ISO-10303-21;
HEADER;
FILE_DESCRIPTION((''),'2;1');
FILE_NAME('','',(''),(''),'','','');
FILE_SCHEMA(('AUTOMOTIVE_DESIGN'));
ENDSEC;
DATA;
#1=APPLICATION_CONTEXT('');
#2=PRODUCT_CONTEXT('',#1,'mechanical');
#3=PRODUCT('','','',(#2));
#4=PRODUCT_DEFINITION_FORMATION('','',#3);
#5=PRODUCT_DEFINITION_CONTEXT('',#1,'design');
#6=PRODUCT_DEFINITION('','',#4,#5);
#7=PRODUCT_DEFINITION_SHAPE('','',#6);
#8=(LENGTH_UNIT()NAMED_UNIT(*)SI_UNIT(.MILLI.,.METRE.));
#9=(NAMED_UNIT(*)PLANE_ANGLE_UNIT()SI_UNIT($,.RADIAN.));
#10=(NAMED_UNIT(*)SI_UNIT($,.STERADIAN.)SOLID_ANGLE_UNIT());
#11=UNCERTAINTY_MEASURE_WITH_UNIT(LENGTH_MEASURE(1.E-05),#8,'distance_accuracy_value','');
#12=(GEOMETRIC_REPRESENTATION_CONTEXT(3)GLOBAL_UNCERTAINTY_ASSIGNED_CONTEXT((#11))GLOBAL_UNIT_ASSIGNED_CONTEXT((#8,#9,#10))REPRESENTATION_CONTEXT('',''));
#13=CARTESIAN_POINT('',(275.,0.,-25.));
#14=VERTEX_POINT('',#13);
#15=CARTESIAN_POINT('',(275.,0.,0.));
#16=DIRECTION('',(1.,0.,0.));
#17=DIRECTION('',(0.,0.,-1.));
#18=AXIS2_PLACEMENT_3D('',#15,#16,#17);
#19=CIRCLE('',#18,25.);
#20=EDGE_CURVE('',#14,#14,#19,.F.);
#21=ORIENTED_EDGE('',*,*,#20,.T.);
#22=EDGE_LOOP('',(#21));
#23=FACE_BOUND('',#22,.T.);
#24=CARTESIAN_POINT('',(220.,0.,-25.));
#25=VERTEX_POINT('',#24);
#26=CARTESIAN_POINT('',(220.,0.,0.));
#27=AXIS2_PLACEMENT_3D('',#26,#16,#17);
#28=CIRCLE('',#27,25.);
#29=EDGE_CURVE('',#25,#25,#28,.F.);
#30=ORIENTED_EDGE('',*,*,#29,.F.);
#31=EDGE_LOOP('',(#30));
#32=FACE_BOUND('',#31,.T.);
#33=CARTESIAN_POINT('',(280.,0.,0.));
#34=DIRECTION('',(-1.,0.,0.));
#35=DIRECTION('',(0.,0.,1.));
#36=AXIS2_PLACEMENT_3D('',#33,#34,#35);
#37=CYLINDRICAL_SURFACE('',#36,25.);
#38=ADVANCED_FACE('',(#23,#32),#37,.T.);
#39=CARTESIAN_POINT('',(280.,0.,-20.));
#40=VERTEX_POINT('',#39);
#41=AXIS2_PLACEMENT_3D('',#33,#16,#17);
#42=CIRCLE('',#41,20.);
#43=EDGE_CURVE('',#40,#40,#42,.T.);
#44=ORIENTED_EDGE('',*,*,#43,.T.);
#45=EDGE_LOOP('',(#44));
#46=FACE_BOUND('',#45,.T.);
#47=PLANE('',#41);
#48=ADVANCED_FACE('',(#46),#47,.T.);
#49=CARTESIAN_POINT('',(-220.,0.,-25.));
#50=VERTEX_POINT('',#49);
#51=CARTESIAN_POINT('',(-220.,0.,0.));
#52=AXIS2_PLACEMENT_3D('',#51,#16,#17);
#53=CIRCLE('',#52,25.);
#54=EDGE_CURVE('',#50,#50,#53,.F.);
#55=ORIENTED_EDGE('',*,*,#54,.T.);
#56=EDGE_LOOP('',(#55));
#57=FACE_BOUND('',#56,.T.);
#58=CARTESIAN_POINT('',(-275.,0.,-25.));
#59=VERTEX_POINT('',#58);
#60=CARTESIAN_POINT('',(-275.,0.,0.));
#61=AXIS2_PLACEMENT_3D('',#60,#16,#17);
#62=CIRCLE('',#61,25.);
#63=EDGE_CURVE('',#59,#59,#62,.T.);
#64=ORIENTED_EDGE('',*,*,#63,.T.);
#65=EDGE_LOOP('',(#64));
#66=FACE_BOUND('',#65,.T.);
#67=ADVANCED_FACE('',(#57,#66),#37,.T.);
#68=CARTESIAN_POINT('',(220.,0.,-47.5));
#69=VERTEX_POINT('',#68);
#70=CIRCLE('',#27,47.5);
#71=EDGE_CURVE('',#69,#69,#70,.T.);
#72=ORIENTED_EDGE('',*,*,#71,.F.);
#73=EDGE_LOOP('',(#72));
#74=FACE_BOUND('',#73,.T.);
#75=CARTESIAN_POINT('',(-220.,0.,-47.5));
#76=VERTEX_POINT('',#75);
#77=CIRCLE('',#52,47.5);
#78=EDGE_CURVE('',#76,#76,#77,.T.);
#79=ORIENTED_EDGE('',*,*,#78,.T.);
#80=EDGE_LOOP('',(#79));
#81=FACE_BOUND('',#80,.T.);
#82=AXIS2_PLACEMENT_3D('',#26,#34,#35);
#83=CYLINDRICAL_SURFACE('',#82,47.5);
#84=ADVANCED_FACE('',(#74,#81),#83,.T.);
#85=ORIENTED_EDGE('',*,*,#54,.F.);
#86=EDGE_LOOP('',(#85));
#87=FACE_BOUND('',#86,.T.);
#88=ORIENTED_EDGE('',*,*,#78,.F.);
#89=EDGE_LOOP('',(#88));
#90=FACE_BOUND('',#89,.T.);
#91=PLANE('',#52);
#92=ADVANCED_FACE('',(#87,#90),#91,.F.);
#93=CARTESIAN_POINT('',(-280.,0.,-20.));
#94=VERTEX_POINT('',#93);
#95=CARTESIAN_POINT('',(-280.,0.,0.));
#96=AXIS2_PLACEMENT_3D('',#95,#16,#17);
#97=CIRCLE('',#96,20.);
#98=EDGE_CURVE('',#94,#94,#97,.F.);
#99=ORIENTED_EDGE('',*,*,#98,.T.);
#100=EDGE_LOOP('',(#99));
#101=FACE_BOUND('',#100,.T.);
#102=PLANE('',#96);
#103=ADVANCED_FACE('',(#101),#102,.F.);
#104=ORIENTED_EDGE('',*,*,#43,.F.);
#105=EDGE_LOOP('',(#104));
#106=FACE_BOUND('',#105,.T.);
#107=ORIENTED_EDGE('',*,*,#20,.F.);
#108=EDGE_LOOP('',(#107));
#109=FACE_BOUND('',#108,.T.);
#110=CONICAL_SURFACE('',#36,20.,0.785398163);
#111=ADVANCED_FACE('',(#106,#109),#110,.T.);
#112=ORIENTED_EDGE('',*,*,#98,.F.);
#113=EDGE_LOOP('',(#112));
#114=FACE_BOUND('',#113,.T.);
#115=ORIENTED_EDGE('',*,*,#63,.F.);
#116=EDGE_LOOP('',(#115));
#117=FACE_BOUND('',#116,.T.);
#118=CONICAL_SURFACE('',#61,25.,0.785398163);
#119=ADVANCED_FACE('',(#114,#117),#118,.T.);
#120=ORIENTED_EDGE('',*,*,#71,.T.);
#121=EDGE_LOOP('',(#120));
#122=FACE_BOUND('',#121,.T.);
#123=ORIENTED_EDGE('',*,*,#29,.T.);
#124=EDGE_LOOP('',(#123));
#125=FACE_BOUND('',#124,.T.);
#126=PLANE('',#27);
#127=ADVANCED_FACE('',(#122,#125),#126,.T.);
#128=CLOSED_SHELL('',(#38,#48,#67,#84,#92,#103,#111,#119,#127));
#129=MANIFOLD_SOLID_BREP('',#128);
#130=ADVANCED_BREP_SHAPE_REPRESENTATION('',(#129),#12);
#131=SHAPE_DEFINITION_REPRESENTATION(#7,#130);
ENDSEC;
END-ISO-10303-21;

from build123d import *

# Parameters (mm, degrees)
SKETCH1_R           = 47.5
BOSS_EXTRUDE1_DEPTH = 220
SKETCH2_R           = 25
BOSS_EXTRUDE2_DEPTH = 280
CHAMFER1_SIZE       = 5


with BuildPart() as part:
    # Sketch1 → Boss-Extrude1 (new body, symmetric)
    with BuildSketch(Plane(origin=(0, 0, 0), x_dir=(0, 0, -1), z_dir=(1, 0, 0))):
        Circle(SKETCH1_R)
    extrude(amount=BOSS_EXTRUDE1_DEPTH, both=True)

    # Sketch2 → Boss-Extrude2 (add, symmetric)
    with BuildSketch(Plane(origin=(0, 0, 0), x_dir=(0, 0, -1), z_dir=(1, 0, 0))):
        Circle(SKETCH2_R)
    extrude(amount=BOSS_EXTRUDE2_DEPTH, both=True)

    # Chamfer1
    chamfer1_edges = [part.edges().sort_by_distance(p)[0] for p in [
        (-280, 0, 25),
        (280, 0, 25),
    ]]
    chamfer(chamfer1_edges, length=CHAMFER1_SIZE)


solid = part.part
